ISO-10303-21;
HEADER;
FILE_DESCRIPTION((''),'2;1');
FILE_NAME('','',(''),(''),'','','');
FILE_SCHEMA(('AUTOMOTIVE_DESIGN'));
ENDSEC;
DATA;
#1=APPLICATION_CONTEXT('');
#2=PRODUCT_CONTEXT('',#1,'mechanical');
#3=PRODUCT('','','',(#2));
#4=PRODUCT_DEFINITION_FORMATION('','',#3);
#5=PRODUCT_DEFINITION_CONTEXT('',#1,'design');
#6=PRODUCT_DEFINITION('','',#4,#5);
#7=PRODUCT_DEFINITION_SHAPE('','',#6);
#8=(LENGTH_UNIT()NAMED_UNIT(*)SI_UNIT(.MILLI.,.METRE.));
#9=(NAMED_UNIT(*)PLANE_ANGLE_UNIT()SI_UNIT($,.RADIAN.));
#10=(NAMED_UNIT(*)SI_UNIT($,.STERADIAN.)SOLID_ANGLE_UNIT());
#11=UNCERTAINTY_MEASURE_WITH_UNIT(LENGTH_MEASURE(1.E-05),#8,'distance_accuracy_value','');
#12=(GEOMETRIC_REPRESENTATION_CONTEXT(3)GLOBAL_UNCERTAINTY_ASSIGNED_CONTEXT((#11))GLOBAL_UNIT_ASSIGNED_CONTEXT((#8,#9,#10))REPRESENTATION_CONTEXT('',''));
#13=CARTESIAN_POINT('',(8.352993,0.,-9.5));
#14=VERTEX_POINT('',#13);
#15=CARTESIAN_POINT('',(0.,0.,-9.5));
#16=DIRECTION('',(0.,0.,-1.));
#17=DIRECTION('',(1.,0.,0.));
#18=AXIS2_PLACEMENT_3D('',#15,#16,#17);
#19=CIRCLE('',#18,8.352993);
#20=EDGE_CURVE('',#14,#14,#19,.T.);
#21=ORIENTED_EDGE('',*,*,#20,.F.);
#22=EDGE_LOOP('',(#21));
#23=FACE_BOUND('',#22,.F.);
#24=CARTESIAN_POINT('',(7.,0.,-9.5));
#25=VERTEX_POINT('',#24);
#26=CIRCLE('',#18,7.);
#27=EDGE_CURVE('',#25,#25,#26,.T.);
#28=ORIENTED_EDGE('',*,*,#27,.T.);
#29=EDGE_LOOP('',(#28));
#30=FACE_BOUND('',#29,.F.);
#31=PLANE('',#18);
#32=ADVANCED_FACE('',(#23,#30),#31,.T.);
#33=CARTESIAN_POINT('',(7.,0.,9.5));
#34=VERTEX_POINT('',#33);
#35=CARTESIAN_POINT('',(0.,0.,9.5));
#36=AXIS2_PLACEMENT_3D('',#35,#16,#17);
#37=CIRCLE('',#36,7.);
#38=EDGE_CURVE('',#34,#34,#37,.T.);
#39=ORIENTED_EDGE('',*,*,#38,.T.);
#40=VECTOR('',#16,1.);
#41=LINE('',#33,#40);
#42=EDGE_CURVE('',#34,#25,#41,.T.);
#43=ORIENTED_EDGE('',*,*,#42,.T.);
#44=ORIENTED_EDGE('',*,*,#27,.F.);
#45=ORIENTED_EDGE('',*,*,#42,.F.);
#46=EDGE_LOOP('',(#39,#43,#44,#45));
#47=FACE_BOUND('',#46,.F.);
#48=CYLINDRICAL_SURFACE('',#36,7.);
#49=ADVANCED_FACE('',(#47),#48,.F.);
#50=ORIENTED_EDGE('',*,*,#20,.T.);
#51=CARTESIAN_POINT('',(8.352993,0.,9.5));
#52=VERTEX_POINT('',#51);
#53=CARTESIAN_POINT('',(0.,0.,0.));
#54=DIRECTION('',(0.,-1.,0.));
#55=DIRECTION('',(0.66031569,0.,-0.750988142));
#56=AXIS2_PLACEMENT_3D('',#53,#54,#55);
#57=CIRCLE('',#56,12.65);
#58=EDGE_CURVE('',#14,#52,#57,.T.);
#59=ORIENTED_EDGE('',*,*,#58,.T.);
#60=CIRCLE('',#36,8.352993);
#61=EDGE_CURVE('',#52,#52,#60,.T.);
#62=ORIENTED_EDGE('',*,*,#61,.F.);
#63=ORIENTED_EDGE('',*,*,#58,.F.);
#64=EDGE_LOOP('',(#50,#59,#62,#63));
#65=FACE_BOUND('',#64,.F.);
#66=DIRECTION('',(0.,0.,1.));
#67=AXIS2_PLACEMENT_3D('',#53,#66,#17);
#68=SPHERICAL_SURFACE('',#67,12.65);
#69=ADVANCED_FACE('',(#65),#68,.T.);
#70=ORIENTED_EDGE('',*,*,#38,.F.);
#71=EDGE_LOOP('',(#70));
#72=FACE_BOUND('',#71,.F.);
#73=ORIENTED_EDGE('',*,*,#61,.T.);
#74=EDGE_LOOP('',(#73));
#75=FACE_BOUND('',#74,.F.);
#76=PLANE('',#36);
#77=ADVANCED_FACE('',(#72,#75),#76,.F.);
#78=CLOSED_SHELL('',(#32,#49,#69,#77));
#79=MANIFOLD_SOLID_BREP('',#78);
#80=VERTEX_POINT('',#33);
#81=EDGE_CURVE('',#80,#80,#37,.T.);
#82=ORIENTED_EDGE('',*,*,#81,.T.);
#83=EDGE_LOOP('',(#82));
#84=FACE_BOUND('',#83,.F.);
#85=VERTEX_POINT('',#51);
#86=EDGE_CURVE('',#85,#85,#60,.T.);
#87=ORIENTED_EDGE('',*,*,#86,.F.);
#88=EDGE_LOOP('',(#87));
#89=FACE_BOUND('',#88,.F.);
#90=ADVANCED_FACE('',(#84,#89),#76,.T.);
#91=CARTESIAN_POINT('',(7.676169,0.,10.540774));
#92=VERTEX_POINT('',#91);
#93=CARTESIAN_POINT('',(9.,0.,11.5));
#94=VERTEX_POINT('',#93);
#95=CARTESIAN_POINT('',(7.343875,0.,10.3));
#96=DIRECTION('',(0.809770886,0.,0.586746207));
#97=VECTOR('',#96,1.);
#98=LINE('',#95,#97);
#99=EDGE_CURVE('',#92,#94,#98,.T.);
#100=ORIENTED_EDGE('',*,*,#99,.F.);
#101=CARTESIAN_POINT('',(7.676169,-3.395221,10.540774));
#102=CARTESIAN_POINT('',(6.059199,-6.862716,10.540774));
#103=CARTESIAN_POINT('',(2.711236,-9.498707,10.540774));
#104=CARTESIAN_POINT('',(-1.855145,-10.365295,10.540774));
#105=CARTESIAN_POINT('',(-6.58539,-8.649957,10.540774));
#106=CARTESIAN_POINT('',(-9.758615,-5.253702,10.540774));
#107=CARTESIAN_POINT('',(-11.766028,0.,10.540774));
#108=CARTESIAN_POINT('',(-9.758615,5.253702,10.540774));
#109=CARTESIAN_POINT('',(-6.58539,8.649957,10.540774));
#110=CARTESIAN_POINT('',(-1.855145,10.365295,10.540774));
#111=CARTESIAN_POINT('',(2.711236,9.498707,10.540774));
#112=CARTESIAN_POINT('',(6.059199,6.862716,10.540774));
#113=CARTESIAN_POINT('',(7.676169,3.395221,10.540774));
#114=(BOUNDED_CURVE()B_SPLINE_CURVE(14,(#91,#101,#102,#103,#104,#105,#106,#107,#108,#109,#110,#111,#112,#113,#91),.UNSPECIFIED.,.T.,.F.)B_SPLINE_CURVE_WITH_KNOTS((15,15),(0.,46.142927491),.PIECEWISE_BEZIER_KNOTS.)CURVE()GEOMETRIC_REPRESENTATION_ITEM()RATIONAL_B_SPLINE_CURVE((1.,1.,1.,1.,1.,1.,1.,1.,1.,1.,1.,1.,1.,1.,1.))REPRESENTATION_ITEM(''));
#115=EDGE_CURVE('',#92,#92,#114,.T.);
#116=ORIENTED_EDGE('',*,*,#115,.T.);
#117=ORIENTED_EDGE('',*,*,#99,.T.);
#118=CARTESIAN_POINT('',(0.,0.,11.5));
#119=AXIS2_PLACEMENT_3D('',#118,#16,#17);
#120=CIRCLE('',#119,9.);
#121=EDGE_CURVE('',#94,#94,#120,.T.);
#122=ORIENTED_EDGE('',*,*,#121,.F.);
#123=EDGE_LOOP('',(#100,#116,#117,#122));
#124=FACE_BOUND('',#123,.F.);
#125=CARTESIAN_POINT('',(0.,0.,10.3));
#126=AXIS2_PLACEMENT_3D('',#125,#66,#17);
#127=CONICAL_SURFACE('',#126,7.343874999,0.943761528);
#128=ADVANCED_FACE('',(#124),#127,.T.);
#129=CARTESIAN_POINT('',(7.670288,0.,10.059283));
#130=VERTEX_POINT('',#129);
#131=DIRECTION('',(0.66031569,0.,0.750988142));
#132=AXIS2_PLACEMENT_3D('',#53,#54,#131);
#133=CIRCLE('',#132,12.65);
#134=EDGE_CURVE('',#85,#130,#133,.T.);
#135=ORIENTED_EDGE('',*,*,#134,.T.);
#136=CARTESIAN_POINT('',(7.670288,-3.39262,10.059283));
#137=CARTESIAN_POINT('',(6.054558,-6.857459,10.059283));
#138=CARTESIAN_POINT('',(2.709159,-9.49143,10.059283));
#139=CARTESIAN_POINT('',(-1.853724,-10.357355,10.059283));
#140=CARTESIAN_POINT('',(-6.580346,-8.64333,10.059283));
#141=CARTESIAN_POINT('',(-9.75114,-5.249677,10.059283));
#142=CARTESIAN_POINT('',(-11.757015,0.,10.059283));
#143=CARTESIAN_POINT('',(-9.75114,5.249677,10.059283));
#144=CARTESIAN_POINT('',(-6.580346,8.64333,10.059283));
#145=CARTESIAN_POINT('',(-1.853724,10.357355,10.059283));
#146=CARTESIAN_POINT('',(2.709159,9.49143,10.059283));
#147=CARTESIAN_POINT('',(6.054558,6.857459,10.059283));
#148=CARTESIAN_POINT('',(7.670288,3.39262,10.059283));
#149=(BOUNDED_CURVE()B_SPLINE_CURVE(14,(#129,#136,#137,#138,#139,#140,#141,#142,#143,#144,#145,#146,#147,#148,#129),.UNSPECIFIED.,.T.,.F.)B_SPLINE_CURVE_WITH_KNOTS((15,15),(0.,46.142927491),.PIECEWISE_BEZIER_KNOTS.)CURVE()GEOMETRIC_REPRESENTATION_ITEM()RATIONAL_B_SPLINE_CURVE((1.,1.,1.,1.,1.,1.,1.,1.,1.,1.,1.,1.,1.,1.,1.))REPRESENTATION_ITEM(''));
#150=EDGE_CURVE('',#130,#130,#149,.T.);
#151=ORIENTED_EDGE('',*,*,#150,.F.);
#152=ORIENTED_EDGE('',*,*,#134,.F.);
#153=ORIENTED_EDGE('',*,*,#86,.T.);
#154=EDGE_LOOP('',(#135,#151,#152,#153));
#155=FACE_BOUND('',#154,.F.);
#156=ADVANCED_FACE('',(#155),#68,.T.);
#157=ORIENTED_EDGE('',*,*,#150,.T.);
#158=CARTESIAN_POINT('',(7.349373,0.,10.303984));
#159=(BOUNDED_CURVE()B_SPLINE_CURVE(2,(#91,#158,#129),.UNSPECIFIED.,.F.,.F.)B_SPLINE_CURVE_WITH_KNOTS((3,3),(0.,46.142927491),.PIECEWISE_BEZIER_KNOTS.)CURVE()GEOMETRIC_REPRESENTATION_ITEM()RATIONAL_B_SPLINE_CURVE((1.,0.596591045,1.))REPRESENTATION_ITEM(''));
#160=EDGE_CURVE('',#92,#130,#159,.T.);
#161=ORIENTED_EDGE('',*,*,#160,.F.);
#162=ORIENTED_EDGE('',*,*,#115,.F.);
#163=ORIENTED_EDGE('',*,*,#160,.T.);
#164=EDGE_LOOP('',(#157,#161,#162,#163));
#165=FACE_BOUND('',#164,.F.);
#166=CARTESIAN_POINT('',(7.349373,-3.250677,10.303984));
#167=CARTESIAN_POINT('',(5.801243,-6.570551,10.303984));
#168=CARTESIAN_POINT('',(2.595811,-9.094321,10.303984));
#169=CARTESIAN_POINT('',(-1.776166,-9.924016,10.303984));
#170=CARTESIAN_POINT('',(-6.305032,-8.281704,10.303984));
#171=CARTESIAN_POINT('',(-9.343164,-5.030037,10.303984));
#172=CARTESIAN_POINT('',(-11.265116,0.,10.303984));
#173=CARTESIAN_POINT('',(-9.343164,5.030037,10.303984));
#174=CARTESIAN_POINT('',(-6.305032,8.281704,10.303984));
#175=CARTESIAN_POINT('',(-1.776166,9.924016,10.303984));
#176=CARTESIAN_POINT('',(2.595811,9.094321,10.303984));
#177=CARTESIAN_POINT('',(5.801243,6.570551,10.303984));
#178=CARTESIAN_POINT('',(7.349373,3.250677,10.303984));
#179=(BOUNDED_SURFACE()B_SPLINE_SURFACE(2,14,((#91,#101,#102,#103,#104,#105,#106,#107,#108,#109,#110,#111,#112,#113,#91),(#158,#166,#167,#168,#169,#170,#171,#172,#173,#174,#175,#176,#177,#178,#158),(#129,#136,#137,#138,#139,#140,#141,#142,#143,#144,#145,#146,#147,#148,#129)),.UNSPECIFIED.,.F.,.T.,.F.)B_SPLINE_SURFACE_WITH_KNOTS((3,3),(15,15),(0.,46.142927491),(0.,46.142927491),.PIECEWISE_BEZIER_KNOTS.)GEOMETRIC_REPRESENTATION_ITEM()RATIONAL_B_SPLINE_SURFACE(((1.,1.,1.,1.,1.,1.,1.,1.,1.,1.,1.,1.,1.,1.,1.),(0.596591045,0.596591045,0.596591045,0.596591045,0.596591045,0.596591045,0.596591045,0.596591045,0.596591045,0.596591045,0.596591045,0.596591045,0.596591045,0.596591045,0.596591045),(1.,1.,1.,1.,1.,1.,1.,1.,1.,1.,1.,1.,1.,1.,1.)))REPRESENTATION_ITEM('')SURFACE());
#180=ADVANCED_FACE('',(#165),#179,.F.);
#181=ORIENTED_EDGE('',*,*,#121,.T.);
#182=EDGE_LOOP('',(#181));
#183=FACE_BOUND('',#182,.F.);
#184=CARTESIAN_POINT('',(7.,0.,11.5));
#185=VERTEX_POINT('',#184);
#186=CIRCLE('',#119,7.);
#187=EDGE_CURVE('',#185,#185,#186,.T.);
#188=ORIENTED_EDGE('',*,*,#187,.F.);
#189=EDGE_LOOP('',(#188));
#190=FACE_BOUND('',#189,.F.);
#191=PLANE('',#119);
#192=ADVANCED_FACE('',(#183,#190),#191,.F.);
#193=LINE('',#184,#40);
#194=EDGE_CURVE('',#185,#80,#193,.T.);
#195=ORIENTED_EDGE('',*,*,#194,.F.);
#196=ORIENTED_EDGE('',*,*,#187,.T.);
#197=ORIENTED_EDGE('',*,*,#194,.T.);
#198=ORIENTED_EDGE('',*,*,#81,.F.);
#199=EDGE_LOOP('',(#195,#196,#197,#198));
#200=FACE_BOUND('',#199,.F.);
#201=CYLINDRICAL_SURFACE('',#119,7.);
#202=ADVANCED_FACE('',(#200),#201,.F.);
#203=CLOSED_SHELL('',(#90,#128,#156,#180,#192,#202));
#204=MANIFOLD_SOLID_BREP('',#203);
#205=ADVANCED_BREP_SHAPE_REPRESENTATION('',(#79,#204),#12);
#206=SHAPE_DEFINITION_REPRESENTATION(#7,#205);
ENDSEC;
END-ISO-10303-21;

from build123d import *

# Parameters (mm, degrees)
F2_R = 0.3


with BuildPart() as f1:
    # F0 (on Front) → F1 (revolve)
    with BuildSketch(Plane.XZ):
        with BuildLine():
            ThreePointArc((7, 10.5367215015), (7.1729141054, 10.4197794236), (7.3438749989, 10.3))
            Line((7.3438749989, 10.3), (9, 11.5))
            Line((9, 11.5), (7, 11.5))
            Line((7, 11.5), (7, 10.5367215015))
        make_face()
        with BuildLine():
            ThreePointArc((8.3529934754, 9.5), (7.8586207425, 9.9128492385), (7.3438749989, 10.3))
            ThreePointArc((7.3438749989, 10.3), (7.1729141054, 10.4197794236), (7, 10.5367215015))
            Line((7, 10.5367215015), (7, 9.5))
            Line((7, 9.5), (8.3529934754, 9.5))
        make_face()
    revolve(axis=Axis((0, 0, 9.4776125625), (0, 0, -1)))

    # F2
    f2_edges = [f1.edges().sort_by_distance(p)[0] for p in [
        (-7.343875, 0, 10.3),
    ]]
    fillet(f2_edges, radius=F2_R)


with BuildPart() as f3:
    # F0 (on Front) → F3 (revolve)
    with BuildSketch(Plane.XZ):
        with BuildLine():
            ThreePointArc((8.3529934754, -9.5), (12.65, 0), (8.3529934754, 9.5))
            Line((8.3529934754, 9.5), (7, 9.5))
            Line((7, 9.5), (7, -9.5))
            Line((7, -9.5), (8.3529934754, -9.5))
        make_face()
    revolve(axis=Axis((0, 0, 9.4776125625), (0, 0, -1)))


solid = Compound([f1.part, f3.part])
